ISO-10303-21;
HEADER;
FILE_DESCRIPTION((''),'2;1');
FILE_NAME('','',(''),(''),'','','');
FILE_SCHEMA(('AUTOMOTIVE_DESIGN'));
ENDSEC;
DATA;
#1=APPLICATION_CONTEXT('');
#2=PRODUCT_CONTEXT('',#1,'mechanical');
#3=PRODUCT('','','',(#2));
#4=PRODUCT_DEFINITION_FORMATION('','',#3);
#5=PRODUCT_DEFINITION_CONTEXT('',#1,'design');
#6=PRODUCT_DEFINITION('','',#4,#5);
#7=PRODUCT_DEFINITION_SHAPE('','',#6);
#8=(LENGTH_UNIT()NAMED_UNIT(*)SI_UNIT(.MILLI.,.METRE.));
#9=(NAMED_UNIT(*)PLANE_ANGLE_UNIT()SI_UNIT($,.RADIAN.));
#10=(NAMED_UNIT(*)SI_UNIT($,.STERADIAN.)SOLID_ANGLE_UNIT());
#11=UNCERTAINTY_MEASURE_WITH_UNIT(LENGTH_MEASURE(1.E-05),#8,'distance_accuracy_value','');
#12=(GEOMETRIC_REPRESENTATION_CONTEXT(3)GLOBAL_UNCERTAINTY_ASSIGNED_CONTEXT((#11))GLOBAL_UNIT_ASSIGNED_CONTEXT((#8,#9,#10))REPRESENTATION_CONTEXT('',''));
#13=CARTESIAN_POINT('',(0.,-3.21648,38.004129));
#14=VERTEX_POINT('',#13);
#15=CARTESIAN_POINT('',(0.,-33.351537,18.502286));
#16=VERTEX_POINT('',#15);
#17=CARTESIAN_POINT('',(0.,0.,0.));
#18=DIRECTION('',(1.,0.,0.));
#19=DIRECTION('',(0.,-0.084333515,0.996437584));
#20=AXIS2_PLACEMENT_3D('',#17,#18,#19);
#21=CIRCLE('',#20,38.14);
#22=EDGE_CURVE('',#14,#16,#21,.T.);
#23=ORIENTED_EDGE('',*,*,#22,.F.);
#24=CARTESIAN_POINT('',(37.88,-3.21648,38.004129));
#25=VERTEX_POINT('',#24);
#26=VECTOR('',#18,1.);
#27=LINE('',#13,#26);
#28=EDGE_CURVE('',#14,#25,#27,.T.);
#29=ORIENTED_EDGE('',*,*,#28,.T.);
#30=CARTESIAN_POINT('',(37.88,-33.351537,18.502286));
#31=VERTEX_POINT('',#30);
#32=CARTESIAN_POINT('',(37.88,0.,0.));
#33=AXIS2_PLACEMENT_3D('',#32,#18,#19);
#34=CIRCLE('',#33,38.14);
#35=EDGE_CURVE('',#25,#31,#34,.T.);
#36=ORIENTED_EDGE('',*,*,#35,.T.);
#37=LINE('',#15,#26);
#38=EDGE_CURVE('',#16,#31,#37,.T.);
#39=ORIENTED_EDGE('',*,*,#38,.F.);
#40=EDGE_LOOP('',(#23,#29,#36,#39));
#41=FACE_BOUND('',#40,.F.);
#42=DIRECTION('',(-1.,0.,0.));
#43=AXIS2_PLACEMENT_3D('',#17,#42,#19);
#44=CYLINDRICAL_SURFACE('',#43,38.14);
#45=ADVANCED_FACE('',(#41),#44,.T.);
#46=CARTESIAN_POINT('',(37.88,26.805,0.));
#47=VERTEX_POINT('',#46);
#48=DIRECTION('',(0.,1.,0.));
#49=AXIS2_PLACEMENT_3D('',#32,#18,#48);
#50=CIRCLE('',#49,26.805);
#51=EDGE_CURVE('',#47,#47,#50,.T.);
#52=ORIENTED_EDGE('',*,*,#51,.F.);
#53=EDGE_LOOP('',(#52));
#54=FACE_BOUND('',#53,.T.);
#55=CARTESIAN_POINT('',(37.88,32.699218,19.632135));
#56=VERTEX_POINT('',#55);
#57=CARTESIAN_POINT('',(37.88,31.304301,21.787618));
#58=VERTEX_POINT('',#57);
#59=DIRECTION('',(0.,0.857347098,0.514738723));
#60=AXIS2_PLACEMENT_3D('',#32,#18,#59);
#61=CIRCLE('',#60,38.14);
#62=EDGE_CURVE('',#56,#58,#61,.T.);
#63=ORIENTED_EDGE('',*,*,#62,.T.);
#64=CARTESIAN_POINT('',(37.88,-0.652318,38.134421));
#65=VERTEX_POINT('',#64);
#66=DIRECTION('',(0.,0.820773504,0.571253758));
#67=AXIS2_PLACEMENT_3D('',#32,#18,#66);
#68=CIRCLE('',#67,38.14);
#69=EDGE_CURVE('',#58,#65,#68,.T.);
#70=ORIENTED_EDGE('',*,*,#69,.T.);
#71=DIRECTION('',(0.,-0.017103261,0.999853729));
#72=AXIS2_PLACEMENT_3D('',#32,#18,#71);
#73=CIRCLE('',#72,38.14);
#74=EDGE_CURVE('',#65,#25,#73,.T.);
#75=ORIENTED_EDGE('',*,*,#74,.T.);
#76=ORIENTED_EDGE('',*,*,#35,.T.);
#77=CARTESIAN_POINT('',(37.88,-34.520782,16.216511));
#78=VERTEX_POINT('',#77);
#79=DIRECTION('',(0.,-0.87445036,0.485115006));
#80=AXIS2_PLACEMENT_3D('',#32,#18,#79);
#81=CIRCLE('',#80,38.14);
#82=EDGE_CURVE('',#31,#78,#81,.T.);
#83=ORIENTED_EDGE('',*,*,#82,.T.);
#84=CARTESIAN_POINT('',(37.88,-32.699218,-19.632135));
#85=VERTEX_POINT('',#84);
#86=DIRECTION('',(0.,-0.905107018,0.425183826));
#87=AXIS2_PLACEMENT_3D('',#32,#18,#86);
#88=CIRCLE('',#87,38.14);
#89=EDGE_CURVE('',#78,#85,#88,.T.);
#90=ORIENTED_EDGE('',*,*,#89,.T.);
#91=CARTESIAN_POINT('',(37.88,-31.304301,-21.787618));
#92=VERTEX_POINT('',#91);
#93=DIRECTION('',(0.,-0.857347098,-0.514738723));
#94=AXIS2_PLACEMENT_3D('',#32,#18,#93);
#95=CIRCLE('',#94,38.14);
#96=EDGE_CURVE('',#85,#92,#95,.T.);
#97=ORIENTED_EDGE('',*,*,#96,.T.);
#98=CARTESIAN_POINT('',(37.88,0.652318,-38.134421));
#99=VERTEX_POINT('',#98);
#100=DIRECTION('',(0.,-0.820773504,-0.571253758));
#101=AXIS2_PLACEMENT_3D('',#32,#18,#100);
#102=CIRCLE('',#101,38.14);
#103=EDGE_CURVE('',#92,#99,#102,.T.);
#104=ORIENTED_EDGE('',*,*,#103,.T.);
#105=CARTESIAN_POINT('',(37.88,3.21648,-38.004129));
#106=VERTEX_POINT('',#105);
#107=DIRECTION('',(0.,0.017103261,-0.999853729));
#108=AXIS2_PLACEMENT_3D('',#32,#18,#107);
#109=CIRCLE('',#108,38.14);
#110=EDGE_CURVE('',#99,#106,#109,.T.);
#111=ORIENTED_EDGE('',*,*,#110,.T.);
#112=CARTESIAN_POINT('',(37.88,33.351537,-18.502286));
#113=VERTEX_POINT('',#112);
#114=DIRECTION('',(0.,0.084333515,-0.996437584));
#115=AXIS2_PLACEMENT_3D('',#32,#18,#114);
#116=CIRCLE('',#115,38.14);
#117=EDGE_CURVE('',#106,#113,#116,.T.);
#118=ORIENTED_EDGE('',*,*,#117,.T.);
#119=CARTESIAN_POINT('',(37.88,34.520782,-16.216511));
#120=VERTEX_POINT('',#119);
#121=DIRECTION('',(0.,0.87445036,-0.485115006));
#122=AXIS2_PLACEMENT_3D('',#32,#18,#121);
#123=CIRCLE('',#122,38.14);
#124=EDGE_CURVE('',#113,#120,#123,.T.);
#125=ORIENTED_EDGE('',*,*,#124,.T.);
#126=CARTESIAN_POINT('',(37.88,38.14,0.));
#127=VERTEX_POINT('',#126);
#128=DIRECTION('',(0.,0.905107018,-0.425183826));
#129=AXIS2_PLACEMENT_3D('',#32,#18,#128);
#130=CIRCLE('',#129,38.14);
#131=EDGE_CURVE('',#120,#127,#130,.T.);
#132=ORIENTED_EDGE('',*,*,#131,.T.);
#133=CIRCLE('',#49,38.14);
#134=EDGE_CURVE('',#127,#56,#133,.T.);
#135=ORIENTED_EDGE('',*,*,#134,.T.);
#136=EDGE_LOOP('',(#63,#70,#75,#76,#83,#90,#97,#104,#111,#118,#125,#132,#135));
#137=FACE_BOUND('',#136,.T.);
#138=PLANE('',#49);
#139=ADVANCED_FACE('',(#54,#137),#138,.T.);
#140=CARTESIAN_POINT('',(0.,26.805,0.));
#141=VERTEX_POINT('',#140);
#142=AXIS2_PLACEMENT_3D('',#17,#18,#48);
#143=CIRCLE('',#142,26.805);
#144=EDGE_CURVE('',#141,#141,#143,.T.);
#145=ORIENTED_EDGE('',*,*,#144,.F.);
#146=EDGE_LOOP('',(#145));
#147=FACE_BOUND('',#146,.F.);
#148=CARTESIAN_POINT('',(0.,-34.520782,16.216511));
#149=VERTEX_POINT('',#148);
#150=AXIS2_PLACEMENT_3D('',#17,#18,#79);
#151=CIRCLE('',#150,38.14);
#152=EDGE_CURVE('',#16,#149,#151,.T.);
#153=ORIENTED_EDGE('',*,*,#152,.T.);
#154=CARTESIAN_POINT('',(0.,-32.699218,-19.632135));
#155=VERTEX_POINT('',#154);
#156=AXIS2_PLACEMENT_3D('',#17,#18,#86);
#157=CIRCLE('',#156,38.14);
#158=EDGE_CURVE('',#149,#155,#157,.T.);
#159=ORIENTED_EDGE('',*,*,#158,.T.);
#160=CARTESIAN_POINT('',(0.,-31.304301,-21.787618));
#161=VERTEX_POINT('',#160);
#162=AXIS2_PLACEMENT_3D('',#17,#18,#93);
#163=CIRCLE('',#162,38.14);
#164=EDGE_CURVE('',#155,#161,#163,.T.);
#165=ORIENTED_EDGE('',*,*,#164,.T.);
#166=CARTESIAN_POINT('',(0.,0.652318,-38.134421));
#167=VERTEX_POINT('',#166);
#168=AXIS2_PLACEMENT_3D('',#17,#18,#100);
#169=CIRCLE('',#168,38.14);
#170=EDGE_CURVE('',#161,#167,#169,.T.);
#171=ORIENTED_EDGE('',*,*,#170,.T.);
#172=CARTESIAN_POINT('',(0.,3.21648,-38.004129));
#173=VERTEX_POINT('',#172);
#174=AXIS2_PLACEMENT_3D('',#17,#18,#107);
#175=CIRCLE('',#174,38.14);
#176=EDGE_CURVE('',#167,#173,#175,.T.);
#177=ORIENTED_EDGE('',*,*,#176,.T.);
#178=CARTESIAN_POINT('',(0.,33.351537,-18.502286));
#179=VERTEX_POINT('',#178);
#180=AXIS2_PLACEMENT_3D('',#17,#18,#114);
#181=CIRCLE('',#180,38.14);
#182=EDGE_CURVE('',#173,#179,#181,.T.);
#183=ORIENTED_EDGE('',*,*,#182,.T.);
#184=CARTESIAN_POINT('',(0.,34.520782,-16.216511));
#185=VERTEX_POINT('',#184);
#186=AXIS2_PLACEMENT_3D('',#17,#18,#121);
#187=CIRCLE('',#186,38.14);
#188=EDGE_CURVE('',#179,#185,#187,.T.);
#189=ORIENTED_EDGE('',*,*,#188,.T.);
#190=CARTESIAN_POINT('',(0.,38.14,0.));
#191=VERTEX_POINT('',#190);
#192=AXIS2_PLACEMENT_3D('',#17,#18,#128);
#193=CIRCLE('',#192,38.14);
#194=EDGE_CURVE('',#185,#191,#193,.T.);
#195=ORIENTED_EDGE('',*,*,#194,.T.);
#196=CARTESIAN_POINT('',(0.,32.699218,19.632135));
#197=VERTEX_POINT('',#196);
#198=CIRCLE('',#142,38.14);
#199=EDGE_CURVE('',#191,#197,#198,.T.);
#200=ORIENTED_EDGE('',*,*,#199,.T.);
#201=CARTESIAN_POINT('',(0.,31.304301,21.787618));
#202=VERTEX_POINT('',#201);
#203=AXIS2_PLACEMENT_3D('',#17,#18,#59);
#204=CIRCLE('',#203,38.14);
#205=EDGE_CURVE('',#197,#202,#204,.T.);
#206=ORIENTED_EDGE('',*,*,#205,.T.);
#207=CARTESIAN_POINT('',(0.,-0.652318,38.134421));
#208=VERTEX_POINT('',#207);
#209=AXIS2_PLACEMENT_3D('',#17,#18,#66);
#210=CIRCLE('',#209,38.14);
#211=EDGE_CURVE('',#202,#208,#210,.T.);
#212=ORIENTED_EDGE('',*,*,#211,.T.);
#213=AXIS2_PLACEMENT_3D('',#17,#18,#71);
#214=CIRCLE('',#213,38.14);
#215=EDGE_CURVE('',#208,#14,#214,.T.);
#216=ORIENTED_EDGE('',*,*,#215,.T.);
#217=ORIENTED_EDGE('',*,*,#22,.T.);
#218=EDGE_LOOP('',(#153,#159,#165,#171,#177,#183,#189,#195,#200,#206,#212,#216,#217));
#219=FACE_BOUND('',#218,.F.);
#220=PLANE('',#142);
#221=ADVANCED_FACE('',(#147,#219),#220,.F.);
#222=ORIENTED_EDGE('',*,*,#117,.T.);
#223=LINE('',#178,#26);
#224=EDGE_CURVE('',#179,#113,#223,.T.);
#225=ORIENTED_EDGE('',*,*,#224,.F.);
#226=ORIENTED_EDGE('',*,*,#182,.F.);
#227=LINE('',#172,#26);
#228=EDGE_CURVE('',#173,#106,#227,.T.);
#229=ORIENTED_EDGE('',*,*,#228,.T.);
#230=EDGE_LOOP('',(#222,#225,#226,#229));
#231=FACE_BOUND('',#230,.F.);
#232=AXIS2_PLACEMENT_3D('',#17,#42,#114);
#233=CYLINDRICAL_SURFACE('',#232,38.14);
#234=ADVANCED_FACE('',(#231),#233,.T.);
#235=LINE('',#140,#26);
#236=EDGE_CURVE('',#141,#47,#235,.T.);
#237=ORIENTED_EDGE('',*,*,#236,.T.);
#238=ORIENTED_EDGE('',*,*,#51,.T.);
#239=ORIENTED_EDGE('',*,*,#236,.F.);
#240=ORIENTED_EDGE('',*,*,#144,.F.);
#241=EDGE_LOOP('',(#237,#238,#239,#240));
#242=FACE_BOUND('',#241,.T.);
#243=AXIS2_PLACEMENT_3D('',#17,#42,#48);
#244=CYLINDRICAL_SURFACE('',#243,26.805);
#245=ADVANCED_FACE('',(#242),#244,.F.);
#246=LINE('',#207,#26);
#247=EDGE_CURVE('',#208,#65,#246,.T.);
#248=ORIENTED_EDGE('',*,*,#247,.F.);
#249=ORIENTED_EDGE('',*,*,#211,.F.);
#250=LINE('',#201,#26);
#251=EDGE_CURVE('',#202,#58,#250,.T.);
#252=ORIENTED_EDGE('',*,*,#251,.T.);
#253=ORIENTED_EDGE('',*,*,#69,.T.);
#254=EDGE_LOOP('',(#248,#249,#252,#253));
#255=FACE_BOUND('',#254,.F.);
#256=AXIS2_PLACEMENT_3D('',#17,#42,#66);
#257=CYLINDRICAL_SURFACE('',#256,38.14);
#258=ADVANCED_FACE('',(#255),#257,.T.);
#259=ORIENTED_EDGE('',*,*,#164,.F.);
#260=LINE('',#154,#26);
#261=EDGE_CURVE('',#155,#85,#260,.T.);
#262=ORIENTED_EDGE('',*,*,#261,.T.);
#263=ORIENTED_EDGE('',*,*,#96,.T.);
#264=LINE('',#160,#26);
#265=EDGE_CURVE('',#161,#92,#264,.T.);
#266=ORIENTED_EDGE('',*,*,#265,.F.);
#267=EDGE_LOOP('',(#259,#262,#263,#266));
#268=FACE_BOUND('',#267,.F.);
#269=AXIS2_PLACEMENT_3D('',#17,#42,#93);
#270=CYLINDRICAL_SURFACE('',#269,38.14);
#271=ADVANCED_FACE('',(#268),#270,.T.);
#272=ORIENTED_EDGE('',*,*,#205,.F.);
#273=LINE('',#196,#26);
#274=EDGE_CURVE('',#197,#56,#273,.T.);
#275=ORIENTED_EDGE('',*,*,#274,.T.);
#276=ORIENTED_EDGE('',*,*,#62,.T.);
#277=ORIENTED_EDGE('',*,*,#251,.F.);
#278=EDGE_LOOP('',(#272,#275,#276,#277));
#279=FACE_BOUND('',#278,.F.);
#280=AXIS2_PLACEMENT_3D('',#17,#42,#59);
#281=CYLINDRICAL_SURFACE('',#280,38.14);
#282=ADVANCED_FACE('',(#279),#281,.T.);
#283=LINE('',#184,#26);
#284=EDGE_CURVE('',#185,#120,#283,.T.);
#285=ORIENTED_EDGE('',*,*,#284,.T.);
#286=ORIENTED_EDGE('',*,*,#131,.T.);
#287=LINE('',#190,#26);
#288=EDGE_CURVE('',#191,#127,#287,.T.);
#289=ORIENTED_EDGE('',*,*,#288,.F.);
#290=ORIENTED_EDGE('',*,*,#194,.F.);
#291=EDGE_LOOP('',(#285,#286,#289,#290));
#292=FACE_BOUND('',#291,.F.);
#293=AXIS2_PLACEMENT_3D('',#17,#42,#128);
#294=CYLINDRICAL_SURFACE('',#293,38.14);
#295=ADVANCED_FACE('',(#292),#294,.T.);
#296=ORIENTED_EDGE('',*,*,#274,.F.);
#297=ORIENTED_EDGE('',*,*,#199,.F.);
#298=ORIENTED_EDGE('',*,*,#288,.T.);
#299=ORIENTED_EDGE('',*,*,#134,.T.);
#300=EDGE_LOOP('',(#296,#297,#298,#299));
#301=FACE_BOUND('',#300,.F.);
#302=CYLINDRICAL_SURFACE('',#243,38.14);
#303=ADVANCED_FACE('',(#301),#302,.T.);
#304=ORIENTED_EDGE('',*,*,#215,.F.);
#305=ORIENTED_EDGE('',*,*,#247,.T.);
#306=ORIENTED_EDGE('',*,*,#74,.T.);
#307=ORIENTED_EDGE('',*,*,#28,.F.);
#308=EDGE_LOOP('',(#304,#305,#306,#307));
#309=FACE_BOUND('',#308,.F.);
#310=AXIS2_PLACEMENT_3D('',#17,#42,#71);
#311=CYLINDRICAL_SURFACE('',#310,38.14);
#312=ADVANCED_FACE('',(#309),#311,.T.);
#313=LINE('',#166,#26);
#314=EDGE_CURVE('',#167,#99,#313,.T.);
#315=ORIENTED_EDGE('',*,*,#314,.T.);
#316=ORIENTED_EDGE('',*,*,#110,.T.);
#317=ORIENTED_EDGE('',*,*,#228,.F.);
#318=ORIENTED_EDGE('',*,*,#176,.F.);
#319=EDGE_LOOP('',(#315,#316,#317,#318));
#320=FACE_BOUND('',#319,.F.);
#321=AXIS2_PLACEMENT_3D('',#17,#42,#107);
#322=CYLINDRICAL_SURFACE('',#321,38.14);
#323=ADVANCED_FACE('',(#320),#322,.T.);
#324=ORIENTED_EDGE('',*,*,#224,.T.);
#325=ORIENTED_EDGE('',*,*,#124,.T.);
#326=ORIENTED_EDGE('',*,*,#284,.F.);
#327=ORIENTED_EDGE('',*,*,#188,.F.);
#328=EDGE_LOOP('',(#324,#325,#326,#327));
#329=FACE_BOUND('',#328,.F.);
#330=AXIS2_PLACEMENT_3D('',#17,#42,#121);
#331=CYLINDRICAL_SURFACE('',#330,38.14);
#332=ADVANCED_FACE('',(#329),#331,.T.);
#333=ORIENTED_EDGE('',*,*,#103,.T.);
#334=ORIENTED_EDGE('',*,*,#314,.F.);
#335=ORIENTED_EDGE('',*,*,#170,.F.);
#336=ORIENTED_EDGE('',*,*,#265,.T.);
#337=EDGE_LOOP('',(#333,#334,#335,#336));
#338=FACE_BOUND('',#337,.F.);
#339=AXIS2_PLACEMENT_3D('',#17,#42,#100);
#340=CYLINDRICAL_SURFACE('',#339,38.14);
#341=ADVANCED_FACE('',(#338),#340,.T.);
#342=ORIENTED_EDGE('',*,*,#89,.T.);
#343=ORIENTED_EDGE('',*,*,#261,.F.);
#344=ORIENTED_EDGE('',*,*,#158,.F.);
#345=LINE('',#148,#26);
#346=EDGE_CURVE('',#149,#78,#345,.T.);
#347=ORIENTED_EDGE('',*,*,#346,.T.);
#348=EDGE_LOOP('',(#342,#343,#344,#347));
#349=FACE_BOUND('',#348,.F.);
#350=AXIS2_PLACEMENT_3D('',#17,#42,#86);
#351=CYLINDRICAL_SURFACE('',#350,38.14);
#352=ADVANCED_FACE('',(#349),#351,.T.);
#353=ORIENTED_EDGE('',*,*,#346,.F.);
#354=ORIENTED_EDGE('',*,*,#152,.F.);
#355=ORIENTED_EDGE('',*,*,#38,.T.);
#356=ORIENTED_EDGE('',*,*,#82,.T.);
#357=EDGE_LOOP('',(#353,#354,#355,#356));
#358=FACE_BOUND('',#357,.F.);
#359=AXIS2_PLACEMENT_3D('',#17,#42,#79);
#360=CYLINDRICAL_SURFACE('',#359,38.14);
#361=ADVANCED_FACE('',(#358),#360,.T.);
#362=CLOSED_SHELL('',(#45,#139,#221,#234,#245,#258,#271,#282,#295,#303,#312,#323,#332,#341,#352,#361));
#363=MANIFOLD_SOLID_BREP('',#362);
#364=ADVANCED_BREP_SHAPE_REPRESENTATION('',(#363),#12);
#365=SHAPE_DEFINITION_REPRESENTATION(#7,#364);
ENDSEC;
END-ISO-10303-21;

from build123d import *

# Parameters (mm, degrees)
F0_R     = 31.44
F0_R_2   = 29.05
F0_R_3   = 26.805
F1_DEPTH = 37.88
F4_DEPTH = 28.13


with BuildPart() as f1:
    # F0 (on Right) → F1 (new body)
    with BuildSketch(Plane.YZ):
        with BuildLine():
            Line((31.304301426, 21.7876183239), (-0.6523183852, 38.1344212061))
            ThreePointArc((-0.6523183852, 38.1344212061), (-1.9354959812, 38.0908578967), (-3.2164802435, 38.0041294446))
            Line((-3.2164802435, 38.0041294446), (-33.3515367157, 18.5022863101))
            ThreePointArc((-33.3515367157, 18.5022863101), (-33.9553985811, 17.3692402597), (-34.5207816695, 16.2165111207))
            Line((-34.5207816695, 16.2165111207), (-32.6992183305, -19.632134896))
            ThreePointArc((-32.6992183305, -19.632134896), (-32.0199025999, -20.721617637), (-31.304301426, -21.7876183239))
            Line((-31.304301426, -21.7876183239), (0.6523183852, -38.1344212061))
            ThreePointArc((0.6523183852, -38.1344212061), (1.9354959812, -38.0908578967), (3.2164802435, -38.0041294446))
            Line((3.2164802435, -38.0041294446), (33.3515367157, -18.5022863101))
            ThreePointArc((33.3515367157, -18.5022863101), (33.9553985811, -17.3692402597), (34.5207816695, -16.2165111207))
            Line((34.5207816695, -16.2165111207), (32.6992183305, 19.632134896))
            ThreePointArc((32.6992183305, 19.632134896), (32.0199025999, 20.721617637), (31.304301426, 21.7876183239))
        make_face()
        Circle(F0_R, mode=Mode.SUBTRACT)
        Circle(F0_R)
        Circle(F0_R_2, mode=Mode.SUBTRACT)
        Circle(F0_R_2)
        Circle(F0_R_3, mode=Mode.SUBTRACT)
        with BuildLine():
            ThreePointArc((31.304301426, 21.7876183239), (17.3692402597, 33.9553985811), (-0.6523183852, 38.1344212061))
            Line((-0.6523183852, 38.1344212061), (31.304301426, 21.7876183239))
        make_face()
        with BuildLine():
            Line((-33.3515367157, 18.5022863101), (-3.2164802435, 38.0041294446))
            ThreePointArc((-3.2164802435, 38.0041294446), (-20.721617637, 32.0199025999), (-33.3515367157, 18.5022863101))
        make_face()
        with BuildLine():
            Line((-32.6992183305, -19.632134896), (-34.5207816695, 16.2165111207))
            ThreePointArc((-34.5207816695, 16.2165111207), (-38.0908578967, -1.9354959812), (-32.6992183305, -19.632134896))
        make_face()
        with BuildLine():
            Line((0.6523183852, -38.1344212061), (-31.304301426, -21.7876183239))
            ThreePointArc((-31.304301426, -21.7876183239), (-17.3692402597, -33.9553985811), (0.6523183852, -38.1344212061))
        make_face()
        with BuildLine():
            ThreePointArc((3.2164802435, -38.0041294446), (20.721617637, -32.0199025999), (33.3515367157, -18.5022863101))
            Line((33.3515367157, -18.5022863101), (3.2164802435, -38.0041294446))
        make_face()
        with BuildLine():
            ThreePointArc((38.14, 0), (36.7546445169, 10.1860545079), (32.6992183305, 19.632134896))
            Line((32.6992183305, 19.632134896), (34.5207816695, -16.2165111207))
            ThreePointArc((34.5207816695, -16.2165111207), (37.224200548, -8.30773697), (38.14, 0))
        make_face()
    extrude(amount=F1_DEPTH)

    # F0 (on Right) → F4 (cut)
    with BuildSketch(Plane.YZ):
        with BuildLine():
            Line((31.304301426, 21.7876183239), (-0.6523183852, 38.1344212061))
            ThreePointArc((-0.6523183852, 38.1344212061), (-1.9354959812, 38.0908578967), (-3.2164802435, 38.0041294446))
            Line((-3.2164802435, 38.0041294446), (-33.3515367157, 18.5022863101))
            ThreePointArc((-33.3515367157, 18.5022863101), (-33.9553985811, 17.3692402597), (-34.5207816695, 16.2165111207))
            Line((-34.5207816695, 16.2165111207), (-32.6992183305, -19.632134896))
            ThreePointArc((-32.6992183305, -19.632134896), (-32.0199025999, -20.721617637), (-31.304301426, -21.7876183239))
            Line((-31.304301426, -21.7876183239), (0.6523183852, -38.1344212061))
            ThreePointArc((0.6523183852, -38.1344212061), (1.9354959812, -38.0908578967), (3.2164802435, -38.0041294446))
            Line((3.2164802435, -38.0041294446), (33.3515367157, -18.5022863101))
            ThreePointArc((33.3515367157, -18.5022863101), (33.9553985811, -17.3692402597), (34.5207816695, -16.2165111207))
            Line((34.5207816695, -16.2165111207), (32.6992183305, 19.632134896))
            ThreePointArc((32.6992183305, 19.632134896), (32.0199025999, 20.721617637), (31.304301426, 21.7876183239))
        make_face()
        Circle(F0_R, mode=Mode.SUBTRACT)
        with BuildLine():
            ThreePointArc((31.304301426, 21.7876183239), (17.3692402597, 33.9553985811), (-0.6523183852, 38.1344212061))
            Line((-0.6523183852, 38.1344212061), (31.304301426, 21.7876183239))
        make_face()
        with BuildLine():
            Line((-33.3515367157, 18.5022863101), (-3.2164802435, 38.0041294446))
            ThreePointArc((-3.2164802435, 38.0041294446), (-20.721617637, 32.0199025999), (-33.3515367157, 18.5022863101))
        make_face()
        with BuildLine():
            Line((-32.6992183305, -19.632134896), (-34.5207816695, 16.2165111207))
            ThreePointArc((-34.5207816695, 16.2165111207), (-38.0908578967, -1.9354959812), (-32.6992183305, -19.632134896))
        make_face()
        with BuildLine():
            Line((0.6523183852, -38.1344212061), (-31.304301426, -21.7876183239))
            ThreePointArc((-31.304301426, -21.7876183239), (-17.3692402597, -33.9553985811), (0.6523183852, -38.1344212061))
        make_face()
        with BuildLine():
            ThreePointArc((3.2164802435, -38.0041294446), (20.721617637, -32.0199025999), (33.3515367157, -18.5022863101))
            Line((33.3515367157, -18.5022863101), (3.2164802435, -38.0041294446))
        make_face()
        with BuildLine():
            ThreePointArc((38.14, 0), (36.7546445169, 10.1860545079), (32.6992183305, 19.632134896))
            Line((32.6992183305, 19.632134896), (34.5207816695, -16.2165111207))
            ThreePointArc((34.5207816695, -16.2165111207), (37.224200548, -8.30773697), (38.14, 0))
        make_face()
    extrude(amount=-F4_DEPTH, mode=Mode.SUBTRACT)


solid = f1.part
